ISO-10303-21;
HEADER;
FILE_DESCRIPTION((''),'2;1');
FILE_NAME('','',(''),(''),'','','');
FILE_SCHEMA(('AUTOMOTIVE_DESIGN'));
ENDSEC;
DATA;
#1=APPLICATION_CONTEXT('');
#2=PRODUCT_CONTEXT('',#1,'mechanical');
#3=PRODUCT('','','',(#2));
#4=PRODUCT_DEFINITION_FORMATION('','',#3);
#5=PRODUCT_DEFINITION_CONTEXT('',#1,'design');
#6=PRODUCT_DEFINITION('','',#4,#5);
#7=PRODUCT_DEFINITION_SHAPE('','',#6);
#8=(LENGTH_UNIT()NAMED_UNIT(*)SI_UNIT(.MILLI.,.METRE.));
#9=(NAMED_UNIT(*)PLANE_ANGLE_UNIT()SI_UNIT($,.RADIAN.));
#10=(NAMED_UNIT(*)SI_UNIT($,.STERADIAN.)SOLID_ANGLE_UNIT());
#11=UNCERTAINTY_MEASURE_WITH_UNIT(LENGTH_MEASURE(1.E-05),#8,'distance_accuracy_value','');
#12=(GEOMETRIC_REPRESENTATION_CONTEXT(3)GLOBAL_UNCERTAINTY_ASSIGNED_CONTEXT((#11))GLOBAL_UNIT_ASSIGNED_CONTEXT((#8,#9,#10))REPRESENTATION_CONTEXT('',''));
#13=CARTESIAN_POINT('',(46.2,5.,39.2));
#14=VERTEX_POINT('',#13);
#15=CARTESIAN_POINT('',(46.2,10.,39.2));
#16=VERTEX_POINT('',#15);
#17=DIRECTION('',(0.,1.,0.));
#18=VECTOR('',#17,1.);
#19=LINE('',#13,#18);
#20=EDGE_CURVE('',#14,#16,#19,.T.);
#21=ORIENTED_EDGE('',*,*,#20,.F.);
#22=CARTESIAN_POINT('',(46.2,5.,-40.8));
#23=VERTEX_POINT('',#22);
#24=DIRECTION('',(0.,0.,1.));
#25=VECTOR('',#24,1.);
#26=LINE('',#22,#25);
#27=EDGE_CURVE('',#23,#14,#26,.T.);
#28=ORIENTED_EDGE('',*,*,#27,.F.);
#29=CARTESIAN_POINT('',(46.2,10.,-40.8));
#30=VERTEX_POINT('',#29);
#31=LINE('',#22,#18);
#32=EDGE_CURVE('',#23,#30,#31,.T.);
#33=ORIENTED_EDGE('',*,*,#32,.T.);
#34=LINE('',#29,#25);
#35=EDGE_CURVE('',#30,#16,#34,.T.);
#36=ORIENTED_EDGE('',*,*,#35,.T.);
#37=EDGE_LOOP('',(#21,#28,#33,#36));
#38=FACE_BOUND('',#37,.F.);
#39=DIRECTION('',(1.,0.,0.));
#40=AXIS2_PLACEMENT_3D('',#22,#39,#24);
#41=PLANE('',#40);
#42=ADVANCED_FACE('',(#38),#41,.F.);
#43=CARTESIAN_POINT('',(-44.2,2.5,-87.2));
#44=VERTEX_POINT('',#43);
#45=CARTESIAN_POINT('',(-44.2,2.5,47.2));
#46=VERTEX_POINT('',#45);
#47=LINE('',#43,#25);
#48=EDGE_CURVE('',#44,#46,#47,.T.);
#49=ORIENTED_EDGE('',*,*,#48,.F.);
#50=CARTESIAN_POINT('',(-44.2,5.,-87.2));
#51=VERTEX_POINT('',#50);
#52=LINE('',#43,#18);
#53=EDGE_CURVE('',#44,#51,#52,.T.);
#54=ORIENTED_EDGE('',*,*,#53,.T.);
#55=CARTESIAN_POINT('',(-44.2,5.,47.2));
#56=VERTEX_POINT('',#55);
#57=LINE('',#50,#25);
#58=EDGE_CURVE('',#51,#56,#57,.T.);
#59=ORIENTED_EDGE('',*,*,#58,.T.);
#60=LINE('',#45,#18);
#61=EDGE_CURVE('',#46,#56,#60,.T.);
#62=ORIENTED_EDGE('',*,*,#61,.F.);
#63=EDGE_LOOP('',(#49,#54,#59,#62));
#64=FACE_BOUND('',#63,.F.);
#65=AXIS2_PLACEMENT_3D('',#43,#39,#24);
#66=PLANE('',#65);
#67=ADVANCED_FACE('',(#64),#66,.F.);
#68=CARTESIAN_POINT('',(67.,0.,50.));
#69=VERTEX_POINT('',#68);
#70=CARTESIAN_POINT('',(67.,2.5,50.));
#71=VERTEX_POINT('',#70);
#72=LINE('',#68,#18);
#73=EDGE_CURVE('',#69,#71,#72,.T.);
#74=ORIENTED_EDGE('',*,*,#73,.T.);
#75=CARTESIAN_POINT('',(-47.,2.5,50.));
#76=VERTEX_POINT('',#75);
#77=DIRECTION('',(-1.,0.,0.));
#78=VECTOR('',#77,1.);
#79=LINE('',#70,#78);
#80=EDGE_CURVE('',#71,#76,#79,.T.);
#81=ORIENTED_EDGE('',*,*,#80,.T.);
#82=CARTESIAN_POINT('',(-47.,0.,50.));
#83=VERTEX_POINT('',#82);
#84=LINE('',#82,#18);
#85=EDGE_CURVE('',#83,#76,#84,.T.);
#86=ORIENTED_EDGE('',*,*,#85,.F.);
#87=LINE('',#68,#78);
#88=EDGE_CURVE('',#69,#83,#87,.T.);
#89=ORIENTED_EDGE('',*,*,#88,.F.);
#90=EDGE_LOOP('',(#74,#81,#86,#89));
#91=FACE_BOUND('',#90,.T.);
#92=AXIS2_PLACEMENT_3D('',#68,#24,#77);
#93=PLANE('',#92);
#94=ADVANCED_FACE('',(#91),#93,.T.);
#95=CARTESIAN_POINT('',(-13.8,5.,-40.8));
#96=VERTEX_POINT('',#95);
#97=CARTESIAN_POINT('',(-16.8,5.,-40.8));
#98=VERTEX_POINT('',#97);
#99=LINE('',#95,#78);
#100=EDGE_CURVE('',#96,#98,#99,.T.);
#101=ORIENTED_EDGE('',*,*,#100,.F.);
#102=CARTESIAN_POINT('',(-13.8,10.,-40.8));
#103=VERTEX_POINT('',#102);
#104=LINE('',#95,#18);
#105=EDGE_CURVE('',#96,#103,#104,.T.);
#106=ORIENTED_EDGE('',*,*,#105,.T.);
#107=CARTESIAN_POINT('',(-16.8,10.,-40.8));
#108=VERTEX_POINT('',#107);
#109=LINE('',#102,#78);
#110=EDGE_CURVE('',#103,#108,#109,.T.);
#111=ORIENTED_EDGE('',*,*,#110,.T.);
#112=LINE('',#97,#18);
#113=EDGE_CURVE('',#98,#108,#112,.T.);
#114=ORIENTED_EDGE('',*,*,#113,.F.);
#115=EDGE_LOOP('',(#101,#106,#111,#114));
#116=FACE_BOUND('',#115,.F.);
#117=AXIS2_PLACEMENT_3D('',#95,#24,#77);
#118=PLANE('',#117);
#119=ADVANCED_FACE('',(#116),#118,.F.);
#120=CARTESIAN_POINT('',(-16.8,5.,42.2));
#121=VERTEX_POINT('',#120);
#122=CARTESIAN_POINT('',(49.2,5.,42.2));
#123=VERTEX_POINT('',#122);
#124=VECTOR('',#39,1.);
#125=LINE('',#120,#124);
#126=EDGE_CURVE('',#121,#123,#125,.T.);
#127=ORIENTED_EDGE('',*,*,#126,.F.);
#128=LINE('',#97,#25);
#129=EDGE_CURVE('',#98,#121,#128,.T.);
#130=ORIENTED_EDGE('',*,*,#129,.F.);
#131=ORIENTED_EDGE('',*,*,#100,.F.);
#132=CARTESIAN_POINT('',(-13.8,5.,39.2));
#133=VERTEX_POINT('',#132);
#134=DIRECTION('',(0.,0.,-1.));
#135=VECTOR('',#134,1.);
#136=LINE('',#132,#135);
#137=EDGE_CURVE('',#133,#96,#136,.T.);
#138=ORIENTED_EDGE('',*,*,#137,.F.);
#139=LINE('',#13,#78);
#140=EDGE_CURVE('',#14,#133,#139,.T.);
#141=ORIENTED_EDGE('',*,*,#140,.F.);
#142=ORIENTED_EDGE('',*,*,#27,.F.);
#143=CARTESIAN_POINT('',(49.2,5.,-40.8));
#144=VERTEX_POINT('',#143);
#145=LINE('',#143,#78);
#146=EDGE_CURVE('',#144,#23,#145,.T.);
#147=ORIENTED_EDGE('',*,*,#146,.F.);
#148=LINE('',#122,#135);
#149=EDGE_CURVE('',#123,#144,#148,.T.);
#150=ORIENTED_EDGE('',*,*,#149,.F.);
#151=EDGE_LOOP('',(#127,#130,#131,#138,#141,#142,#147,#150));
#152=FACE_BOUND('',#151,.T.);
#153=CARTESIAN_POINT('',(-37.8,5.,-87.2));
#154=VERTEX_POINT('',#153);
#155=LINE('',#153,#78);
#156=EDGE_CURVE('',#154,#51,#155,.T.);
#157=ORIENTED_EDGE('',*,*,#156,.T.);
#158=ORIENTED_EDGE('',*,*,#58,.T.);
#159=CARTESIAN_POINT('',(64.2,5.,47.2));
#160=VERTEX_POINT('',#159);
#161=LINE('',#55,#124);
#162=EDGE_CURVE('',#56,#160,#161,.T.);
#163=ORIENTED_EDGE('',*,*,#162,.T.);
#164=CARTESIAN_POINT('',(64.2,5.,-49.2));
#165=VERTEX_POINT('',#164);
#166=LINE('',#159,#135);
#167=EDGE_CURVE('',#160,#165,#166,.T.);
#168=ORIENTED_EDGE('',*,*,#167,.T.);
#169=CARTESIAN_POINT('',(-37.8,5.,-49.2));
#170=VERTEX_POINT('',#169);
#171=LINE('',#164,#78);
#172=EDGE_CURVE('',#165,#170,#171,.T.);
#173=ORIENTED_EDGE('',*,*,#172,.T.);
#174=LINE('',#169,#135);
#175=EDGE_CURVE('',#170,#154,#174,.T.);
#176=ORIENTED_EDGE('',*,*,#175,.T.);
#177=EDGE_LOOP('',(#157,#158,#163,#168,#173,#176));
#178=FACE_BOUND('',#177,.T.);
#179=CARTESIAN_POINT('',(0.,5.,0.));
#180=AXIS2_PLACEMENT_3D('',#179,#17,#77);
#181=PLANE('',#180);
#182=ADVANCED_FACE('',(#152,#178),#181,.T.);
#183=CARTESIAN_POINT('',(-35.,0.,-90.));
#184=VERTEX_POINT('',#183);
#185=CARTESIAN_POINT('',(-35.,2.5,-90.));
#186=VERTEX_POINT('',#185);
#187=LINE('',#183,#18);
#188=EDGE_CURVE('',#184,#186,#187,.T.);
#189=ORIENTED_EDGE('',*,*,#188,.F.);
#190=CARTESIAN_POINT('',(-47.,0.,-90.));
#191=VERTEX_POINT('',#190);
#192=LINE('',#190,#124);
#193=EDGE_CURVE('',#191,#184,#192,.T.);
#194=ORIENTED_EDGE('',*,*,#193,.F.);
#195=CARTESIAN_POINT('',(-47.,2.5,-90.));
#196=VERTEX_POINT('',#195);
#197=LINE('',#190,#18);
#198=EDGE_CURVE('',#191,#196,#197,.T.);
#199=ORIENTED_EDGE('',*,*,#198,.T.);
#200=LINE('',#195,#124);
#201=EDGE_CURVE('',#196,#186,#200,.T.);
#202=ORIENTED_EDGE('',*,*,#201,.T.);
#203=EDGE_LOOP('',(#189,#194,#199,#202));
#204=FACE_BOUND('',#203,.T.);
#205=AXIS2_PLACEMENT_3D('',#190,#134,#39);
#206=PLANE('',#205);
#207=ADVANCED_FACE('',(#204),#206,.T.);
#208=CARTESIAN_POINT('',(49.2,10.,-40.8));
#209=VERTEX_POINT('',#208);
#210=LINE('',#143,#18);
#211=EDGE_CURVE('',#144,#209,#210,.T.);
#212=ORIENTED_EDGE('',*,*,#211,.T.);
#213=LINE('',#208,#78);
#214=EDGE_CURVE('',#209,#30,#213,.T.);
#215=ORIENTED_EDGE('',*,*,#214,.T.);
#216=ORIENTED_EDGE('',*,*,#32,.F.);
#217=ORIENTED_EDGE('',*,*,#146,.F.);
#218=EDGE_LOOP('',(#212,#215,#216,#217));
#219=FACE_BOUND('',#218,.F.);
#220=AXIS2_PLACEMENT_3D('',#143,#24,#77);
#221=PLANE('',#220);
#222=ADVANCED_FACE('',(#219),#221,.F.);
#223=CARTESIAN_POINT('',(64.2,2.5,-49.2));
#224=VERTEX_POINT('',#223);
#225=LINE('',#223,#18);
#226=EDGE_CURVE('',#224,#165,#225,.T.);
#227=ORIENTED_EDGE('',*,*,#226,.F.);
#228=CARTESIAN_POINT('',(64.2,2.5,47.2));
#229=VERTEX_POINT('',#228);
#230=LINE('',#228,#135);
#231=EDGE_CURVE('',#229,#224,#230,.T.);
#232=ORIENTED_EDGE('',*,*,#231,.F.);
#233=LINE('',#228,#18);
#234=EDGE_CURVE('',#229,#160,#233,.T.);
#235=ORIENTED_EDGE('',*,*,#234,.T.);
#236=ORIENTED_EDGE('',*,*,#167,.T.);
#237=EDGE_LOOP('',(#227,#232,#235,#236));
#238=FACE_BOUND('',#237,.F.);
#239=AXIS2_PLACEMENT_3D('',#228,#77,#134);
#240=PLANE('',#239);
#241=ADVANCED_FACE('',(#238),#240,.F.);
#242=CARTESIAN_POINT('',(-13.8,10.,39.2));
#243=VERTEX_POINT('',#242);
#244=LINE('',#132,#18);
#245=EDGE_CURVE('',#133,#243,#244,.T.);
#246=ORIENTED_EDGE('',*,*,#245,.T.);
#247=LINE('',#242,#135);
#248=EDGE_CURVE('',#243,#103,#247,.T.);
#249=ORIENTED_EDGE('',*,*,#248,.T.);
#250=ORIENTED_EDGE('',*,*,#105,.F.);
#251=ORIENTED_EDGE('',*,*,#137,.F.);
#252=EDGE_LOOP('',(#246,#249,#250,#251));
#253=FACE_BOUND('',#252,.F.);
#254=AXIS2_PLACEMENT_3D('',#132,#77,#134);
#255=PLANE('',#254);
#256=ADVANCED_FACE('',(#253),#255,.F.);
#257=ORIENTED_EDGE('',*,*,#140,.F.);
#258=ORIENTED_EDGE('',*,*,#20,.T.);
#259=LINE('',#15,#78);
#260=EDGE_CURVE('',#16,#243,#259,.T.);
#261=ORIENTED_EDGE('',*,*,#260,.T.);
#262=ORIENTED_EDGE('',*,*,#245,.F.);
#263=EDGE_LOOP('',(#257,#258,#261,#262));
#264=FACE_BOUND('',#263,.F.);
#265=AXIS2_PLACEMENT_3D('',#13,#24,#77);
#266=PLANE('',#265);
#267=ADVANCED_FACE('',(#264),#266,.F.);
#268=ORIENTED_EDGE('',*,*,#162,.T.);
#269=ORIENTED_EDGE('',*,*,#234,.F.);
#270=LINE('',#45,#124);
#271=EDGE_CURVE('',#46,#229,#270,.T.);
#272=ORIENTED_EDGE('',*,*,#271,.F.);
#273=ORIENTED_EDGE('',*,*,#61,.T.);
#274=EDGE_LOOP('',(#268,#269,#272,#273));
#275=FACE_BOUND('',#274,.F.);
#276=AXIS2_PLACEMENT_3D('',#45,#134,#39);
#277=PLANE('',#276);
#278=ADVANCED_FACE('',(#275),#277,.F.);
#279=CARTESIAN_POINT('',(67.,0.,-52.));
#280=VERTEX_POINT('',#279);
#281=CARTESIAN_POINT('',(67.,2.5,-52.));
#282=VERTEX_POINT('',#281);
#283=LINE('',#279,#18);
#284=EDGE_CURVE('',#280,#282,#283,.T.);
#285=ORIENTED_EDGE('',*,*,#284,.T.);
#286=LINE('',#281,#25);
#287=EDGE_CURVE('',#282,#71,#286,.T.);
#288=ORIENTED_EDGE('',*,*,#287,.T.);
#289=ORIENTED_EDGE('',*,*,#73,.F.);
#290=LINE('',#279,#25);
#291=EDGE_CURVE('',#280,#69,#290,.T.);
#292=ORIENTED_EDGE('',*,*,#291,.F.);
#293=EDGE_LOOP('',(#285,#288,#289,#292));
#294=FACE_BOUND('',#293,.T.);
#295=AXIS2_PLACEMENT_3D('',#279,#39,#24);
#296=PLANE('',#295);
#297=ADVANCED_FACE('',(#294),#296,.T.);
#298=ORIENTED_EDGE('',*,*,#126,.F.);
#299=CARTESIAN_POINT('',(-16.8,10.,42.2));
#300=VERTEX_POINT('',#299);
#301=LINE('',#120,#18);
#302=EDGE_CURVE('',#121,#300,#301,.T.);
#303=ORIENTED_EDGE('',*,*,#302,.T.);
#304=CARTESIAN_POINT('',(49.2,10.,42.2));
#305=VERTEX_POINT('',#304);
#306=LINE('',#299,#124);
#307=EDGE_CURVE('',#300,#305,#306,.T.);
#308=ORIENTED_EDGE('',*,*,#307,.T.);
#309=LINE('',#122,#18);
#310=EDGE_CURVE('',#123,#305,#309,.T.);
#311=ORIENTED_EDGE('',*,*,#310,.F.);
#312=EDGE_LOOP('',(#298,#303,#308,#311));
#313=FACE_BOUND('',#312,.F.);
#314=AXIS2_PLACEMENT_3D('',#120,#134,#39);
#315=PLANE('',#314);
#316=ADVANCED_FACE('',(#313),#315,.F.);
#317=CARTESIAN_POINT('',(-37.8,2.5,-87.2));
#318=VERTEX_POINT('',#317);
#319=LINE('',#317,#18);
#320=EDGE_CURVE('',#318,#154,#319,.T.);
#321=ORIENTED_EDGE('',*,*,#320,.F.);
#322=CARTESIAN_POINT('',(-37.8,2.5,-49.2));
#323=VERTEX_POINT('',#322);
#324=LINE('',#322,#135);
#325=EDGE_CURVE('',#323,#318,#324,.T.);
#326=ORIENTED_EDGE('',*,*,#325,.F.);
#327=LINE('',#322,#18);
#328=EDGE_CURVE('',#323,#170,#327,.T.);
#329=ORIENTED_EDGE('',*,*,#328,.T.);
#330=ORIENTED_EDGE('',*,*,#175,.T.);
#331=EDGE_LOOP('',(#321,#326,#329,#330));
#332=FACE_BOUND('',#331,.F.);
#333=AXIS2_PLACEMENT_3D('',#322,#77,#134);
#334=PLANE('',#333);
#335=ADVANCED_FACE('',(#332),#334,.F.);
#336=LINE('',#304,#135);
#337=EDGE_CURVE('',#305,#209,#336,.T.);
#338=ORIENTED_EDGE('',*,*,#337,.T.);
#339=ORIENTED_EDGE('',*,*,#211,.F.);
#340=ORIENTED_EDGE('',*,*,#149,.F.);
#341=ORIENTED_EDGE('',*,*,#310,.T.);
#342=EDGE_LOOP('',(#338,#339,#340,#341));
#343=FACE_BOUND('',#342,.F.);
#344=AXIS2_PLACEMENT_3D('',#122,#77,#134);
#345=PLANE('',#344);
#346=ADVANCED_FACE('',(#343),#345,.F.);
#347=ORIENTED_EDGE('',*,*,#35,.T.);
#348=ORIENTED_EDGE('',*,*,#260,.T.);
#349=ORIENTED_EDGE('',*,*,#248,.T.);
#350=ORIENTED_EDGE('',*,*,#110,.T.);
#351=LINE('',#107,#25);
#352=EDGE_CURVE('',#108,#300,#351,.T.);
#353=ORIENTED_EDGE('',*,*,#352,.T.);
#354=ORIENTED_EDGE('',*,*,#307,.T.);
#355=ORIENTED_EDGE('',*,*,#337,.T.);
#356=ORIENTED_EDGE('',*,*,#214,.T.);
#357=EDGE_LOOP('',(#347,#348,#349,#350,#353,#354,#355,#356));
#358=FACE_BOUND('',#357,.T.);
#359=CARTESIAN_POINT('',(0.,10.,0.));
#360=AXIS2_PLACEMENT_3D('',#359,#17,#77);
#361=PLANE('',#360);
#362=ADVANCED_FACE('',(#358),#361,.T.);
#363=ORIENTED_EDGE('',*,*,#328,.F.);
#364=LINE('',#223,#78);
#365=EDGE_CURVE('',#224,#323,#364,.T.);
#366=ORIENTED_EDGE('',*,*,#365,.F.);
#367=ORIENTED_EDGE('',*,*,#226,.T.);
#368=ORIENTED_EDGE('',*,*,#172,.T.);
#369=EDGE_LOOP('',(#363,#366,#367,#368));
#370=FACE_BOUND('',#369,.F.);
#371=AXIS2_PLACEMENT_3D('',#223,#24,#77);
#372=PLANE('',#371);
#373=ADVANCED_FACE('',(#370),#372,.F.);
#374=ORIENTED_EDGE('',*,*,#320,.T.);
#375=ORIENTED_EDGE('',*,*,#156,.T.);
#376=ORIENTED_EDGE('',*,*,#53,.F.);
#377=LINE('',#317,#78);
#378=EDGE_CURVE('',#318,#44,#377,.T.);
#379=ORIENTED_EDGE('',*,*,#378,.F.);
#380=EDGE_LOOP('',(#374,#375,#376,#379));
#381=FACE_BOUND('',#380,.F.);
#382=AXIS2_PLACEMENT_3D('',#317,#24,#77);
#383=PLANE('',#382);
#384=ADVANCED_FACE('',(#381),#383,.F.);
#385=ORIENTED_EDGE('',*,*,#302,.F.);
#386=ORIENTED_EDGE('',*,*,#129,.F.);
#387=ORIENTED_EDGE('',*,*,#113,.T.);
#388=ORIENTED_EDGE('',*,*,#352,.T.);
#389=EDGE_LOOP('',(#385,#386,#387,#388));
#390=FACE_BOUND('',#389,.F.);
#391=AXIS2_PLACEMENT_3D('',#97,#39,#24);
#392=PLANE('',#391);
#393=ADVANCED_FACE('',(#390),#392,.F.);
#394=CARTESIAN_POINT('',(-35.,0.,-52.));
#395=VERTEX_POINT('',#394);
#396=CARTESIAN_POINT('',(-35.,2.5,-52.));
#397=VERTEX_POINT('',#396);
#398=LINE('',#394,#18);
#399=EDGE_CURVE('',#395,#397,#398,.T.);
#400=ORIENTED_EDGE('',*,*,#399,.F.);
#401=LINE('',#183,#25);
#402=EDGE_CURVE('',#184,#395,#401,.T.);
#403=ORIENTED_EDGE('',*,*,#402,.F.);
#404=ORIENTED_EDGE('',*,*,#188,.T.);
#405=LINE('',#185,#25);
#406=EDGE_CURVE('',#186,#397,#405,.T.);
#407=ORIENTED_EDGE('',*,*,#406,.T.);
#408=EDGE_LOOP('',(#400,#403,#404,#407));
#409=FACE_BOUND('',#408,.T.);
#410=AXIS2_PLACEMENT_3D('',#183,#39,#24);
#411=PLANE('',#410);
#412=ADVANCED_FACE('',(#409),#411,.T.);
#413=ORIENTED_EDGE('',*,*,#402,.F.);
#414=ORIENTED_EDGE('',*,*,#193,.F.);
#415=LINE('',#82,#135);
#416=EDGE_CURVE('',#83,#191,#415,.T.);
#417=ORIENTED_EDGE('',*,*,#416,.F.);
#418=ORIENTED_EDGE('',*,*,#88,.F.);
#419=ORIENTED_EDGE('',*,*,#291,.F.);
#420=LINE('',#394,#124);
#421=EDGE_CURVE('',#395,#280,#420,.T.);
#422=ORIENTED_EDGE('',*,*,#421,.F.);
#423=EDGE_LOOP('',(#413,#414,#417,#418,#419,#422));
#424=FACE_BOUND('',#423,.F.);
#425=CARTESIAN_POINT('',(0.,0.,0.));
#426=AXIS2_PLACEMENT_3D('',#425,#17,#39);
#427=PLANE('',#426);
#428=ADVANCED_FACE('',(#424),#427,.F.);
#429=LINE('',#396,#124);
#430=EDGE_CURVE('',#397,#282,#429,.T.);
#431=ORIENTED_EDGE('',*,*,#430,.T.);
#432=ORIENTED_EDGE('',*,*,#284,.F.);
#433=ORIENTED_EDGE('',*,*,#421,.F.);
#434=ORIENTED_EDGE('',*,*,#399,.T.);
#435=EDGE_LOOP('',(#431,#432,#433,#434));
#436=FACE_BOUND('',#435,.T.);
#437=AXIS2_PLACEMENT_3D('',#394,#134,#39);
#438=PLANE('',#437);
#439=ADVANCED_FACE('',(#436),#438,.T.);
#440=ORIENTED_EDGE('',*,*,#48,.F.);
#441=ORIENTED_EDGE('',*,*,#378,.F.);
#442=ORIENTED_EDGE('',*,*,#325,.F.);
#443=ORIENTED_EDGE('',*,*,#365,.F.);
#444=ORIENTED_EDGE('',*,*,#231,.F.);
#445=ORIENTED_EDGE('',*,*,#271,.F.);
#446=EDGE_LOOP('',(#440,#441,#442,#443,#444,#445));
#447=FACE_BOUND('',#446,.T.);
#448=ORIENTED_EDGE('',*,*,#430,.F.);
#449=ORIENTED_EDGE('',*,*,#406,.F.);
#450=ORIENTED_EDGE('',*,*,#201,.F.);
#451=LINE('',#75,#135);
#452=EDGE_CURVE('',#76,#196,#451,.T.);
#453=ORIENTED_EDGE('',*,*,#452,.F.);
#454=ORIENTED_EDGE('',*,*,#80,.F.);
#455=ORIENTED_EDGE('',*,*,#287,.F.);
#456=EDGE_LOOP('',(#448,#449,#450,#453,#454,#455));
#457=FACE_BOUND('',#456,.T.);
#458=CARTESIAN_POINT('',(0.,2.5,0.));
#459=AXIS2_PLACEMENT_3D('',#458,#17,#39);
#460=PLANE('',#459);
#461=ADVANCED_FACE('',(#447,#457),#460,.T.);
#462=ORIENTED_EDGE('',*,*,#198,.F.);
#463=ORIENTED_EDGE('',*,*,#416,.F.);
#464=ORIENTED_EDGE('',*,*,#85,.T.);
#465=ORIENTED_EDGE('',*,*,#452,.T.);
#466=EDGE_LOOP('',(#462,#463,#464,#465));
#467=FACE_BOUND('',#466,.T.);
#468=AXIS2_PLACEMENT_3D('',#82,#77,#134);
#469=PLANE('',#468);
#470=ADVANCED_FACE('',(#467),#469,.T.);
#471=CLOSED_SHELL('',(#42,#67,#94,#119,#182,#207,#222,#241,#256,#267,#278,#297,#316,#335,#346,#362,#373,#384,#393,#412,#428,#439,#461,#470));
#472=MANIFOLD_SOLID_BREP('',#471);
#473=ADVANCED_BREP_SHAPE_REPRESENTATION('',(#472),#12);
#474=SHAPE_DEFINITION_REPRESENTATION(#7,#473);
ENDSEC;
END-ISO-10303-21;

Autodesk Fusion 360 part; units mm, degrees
sketch "Sketch1" plane through (0, 0, 0) normal (0, 1, 0) x (1, 0, 0)
  line L0 (67, -50) -> (-47, -50)
  line L1 (-47, -50) -> (-47, 90)
  line L2 (-47, 90) -> (-35, 90)
  line L3 (-35, 90) -> (-35, 52)
  line L4 (-35, 52) -> (67, 52)
  line L5 (67, 52) -> (67, -50)
  line L6 (65.2, -48.2) -> (-45.2, -48.2)
  line L7 (-45.2, -48.2) -> (-45.2, 88.2)
  line L8 (-45.2, 88.2) -> (-36.8, 88.2)
  line L9 (-36.8, 88.2) -> (-36.8, 50.2)
  line L10 (-36.8, 50.2) -> (65.2, 50.2)
  line L11 (65.2, 50.2) -> (65.2, -48.2)
  dimension "d1" = 102
  dimension "d3" = 140
  dimension "d4" = 12
  dimension "d5" = 102
  dimension "d6" = 1.8
extrude "Extrude1" add sketch "Sketch1" along normal blind 2.5 contours L0 L1 L2 L3 L4 L5 | L6 L7 L8 L9 L10 L11
sketch "Sketch2" plane through (0, 2.5, 0) normal (0, 1, 0) x (-1, 0, 0)
  line L0 (-67, -52) -> (35, -52)
  line L1 (35, -52) -> (35, -90)
  line L2 (35, -90) -> (47, -90)
  line L3 (47, -90) -> (47, 50)
  line L4 (47, 50) -> (-67, 50)
  line L5 (-67, 50) -> (-67, -52)
  line L6 (37.8, -87.2) -> (44.2, -87.2)
  line L7 (44.2, -87.2) -> (44.2, 47.2)
  line L8 (44.2, 47.2) -> (-64.2, 47.2)
  line L9 (-64.2, 47.2) -> (-64.2, -49.2)
  line L10 (-64.2, -49.2) -> (37.8, -49.2)
  line L11 (37.8, -49.2) -> (37.8, -87.2)
  dimension "d9" = -2.8
extrude "Extrude2" add sketch "Sketch2" along normal blind 2.5 contours L6 L7 L8 L9 L10 L11
sketch "Sketch3" plane through (0, 5, 0) normal (0, 1, 0) x (-1, 0, 0)
  line L0 (37.8, -49.2) -> (37.8, -87.2)
  line L1 (37.8, -87.2) -> (44.2, -87.2)
  line L2 (44.2, -87.2) -> (44.2, 47.2)
  line L3 (44.2, 47.2) -> (-64.2, 47.2)
  line L4 (-64.2, 47.2) -> (-64.2, -49.2)
  line L5 (-64.2, -49.2) -> (37.8, -49.2)
  line L6 (16.8, -40.8) -> (16.8, 42.2)
  line L7 (16.8, 42.2) -> (-49.2, 42.2)
  line L8 (-49.2, 42.2) -> (-49.2, -40.8)
  line L9 (-49.2, -40.8) -> (-46.2, -40.8)
  line L10 (-46.2, -40.8) -> (-46.2, 39.2)
  line L11 (-46.2, 39.2) -> (13.8, 39.2)
  line L12 (13.8, 39.2) -> (13.8, -40.8)
  line L13 (13.8, -40.8) -> (16.8, -40.8)
  dimension "d12" = 60
  dimension "d13" = 80
  dimension "d14" = 3
  dimension "d15" = 3
  dimension "d16" = 3
  dimension "d17" = 5
  dimension "d18" = 15
extrude "Extrude3" add sketch "Sketch3" along normal blind 5 contours L6 L7 L8 L9 L10 L11 L12 L13
equation "d15 = d14"
equation "d16 = d14"
